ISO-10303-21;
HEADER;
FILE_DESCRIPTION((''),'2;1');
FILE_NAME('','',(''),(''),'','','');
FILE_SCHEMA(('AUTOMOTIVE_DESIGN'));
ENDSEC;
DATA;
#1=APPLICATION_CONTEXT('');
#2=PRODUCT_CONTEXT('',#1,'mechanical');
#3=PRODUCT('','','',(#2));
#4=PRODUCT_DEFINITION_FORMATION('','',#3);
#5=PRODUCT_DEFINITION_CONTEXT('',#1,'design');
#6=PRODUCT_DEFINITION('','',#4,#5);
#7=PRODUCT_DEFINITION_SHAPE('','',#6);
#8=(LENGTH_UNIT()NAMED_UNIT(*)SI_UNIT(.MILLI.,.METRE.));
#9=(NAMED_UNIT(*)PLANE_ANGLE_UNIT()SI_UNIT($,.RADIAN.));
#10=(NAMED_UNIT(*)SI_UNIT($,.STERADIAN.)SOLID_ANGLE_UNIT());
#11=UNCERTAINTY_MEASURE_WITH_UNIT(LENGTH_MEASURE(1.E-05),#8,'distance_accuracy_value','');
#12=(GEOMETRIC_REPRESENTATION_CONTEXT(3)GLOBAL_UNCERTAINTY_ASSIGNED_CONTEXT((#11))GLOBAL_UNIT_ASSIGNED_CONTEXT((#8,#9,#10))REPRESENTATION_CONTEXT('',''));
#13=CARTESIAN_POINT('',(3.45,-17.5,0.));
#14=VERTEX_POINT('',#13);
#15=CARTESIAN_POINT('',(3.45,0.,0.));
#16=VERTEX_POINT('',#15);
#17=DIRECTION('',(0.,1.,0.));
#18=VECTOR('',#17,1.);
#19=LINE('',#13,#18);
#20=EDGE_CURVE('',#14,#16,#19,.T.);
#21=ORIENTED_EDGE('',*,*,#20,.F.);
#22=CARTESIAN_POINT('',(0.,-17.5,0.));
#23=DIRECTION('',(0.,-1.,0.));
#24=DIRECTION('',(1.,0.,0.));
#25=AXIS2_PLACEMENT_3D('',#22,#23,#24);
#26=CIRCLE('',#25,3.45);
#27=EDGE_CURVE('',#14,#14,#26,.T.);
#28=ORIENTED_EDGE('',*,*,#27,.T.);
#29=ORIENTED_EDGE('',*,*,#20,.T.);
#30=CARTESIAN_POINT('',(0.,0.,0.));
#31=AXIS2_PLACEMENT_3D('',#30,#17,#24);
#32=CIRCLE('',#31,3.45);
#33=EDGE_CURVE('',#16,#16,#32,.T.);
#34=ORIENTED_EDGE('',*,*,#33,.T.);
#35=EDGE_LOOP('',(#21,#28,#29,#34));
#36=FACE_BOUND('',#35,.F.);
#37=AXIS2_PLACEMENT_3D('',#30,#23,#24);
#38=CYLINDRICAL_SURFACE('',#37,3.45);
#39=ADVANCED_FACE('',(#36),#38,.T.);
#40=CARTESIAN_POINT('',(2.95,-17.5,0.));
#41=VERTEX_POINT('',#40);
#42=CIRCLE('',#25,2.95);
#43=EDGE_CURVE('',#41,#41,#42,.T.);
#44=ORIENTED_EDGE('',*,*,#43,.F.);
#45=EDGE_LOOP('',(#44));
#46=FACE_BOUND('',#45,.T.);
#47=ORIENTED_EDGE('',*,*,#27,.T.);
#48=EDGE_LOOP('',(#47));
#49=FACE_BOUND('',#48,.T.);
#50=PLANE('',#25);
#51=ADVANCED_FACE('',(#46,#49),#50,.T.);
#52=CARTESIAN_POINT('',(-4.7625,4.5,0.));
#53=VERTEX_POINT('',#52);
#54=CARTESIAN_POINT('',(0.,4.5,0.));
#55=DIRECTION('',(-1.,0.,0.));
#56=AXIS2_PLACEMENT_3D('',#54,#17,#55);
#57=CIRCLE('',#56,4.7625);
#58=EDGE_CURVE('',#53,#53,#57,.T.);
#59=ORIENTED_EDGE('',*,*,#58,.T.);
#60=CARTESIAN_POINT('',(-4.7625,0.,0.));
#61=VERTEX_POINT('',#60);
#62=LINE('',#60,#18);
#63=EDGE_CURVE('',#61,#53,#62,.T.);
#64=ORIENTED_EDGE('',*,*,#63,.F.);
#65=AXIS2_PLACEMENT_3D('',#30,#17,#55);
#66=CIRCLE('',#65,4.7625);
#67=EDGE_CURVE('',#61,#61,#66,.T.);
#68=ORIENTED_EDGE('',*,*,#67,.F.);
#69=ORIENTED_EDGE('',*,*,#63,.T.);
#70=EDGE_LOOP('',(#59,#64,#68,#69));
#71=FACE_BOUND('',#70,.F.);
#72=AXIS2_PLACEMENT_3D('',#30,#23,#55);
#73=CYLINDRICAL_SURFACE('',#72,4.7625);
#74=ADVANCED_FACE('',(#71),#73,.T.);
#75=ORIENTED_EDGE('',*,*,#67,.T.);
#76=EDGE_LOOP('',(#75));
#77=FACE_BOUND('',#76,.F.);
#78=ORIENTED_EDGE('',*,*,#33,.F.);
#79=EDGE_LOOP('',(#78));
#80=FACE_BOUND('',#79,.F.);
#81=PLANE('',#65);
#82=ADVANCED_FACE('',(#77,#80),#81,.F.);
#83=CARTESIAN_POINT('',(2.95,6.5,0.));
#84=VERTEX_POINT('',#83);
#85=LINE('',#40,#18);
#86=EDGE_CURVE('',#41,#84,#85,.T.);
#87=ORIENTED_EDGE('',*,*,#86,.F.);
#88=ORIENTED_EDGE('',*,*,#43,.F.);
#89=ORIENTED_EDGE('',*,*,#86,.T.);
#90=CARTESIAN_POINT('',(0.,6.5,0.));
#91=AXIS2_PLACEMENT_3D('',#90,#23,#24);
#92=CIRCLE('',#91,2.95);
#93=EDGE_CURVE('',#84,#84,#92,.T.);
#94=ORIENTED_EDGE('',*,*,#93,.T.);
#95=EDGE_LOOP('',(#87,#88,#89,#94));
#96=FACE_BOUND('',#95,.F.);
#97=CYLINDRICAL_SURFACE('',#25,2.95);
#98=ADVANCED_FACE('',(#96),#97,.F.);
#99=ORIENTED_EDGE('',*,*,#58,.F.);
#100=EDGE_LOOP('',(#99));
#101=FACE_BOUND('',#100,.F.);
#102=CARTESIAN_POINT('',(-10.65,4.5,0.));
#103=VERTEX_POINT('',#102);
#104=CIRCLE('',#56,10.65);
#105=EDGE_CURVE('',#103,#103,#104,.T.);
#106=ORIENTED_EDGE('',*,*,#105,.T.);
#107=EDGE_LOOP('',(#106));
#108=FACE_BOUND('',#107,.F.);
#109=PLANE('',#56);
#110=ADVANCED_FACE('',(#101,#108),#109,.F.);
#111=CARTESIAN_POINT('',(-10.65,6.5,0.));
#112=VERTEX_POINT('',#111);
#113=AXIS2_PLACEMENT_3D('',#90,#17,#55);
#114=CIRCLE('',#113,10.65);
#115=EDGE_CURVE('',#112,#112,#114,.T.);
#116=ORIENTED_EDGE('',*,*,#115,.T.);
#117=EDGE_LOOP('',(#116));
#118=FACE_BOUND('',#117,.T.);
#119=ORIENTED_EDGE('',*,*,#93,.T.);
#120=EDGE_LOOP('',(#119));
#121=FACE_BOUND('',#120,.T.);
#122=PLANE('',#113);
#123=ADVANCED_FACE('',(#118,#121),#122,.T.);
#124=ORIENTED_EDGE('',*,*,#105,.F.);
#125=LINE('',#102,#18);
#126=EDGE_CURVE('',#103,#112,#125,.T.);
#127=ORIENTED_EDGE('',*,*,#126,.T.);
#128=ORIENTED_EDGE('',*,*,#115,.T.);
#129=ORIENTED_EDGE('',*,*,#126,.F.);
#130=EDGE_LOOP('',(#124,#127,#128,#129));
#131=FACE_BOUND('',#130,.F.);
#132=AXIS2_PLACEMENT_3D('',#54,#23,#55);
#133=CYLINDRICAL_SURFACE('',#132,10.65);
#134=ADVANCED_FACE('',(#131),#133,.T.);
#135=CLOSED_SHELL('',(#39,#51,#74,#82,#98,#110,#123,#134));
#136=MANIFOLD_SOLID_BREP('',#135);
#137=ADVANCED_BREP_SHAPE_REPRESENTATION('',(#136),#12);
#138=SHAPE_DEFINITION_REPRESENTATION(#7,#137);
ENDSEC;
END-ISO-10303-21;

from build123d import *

# Parameters (mm, degrees)
F0_R      = 3.45
F1_DEPTH  = 17.5
F1_FACE_R = 3.45
F3_DEPTH  = 4.5
F2_R      = 4.7625
F2_R_2    = 3.45
F4_DEPTH  = 4.5
F5_R      = 10.65
F5_R_2    = 4.7625
F6_DEPTH  = 2
F7_R      = 2.95
F8_DEPTH  = 28


with BuildPart() as f1:
    # F0 (on Front) → F1 (new body)
    with BuildSketch(Plane.XZ):
        Circle(F0_R)
    extrude(amount=F1_DEPTH)

    # F1_face (on face) → F3 (join)
    with BuildSketch(Plane(origin=(0, 0, 0), x_dir=(1, 0, 0), z_dir=(0, 1, 0))):
        Circle(F1_FACE_R)
    extrude(amount=F3_DEPTH)

    # F2 (on face) → F4 (join)
    with BuildSketch(Plane(origin=(0, 0, 0), x_dir=(-1, 0, 0), z_dir=(0, 1, 0))):
        Circle(F2_R)
        Circle(F2_R_2, mode=Mode.SUBTRACT)
    extrude(amount=F4_DEPTH)

    # F5 (on face) → F6 (join)
    with BuildSketch(Plane(origin=(0, 4.5, 0), x_dir=(-1, 0, 0), z_dir=(0, 1, 0))):
        Circle(F5_R)
        Circle(F5_R_2, mode=Mode.SUBTRACT)
        Circle(F5_R_2)
    extrude(amount=F6_DEPTH)

    # F7 (on face) → F8 (cut)
    with BuildSketch(Plane.XZ.offset(17.5)):
        Circle(F7_R)
    extrude(amount=-F8_DEPTH, mode=Mode.SUBTRACT)


solid = f1.part
